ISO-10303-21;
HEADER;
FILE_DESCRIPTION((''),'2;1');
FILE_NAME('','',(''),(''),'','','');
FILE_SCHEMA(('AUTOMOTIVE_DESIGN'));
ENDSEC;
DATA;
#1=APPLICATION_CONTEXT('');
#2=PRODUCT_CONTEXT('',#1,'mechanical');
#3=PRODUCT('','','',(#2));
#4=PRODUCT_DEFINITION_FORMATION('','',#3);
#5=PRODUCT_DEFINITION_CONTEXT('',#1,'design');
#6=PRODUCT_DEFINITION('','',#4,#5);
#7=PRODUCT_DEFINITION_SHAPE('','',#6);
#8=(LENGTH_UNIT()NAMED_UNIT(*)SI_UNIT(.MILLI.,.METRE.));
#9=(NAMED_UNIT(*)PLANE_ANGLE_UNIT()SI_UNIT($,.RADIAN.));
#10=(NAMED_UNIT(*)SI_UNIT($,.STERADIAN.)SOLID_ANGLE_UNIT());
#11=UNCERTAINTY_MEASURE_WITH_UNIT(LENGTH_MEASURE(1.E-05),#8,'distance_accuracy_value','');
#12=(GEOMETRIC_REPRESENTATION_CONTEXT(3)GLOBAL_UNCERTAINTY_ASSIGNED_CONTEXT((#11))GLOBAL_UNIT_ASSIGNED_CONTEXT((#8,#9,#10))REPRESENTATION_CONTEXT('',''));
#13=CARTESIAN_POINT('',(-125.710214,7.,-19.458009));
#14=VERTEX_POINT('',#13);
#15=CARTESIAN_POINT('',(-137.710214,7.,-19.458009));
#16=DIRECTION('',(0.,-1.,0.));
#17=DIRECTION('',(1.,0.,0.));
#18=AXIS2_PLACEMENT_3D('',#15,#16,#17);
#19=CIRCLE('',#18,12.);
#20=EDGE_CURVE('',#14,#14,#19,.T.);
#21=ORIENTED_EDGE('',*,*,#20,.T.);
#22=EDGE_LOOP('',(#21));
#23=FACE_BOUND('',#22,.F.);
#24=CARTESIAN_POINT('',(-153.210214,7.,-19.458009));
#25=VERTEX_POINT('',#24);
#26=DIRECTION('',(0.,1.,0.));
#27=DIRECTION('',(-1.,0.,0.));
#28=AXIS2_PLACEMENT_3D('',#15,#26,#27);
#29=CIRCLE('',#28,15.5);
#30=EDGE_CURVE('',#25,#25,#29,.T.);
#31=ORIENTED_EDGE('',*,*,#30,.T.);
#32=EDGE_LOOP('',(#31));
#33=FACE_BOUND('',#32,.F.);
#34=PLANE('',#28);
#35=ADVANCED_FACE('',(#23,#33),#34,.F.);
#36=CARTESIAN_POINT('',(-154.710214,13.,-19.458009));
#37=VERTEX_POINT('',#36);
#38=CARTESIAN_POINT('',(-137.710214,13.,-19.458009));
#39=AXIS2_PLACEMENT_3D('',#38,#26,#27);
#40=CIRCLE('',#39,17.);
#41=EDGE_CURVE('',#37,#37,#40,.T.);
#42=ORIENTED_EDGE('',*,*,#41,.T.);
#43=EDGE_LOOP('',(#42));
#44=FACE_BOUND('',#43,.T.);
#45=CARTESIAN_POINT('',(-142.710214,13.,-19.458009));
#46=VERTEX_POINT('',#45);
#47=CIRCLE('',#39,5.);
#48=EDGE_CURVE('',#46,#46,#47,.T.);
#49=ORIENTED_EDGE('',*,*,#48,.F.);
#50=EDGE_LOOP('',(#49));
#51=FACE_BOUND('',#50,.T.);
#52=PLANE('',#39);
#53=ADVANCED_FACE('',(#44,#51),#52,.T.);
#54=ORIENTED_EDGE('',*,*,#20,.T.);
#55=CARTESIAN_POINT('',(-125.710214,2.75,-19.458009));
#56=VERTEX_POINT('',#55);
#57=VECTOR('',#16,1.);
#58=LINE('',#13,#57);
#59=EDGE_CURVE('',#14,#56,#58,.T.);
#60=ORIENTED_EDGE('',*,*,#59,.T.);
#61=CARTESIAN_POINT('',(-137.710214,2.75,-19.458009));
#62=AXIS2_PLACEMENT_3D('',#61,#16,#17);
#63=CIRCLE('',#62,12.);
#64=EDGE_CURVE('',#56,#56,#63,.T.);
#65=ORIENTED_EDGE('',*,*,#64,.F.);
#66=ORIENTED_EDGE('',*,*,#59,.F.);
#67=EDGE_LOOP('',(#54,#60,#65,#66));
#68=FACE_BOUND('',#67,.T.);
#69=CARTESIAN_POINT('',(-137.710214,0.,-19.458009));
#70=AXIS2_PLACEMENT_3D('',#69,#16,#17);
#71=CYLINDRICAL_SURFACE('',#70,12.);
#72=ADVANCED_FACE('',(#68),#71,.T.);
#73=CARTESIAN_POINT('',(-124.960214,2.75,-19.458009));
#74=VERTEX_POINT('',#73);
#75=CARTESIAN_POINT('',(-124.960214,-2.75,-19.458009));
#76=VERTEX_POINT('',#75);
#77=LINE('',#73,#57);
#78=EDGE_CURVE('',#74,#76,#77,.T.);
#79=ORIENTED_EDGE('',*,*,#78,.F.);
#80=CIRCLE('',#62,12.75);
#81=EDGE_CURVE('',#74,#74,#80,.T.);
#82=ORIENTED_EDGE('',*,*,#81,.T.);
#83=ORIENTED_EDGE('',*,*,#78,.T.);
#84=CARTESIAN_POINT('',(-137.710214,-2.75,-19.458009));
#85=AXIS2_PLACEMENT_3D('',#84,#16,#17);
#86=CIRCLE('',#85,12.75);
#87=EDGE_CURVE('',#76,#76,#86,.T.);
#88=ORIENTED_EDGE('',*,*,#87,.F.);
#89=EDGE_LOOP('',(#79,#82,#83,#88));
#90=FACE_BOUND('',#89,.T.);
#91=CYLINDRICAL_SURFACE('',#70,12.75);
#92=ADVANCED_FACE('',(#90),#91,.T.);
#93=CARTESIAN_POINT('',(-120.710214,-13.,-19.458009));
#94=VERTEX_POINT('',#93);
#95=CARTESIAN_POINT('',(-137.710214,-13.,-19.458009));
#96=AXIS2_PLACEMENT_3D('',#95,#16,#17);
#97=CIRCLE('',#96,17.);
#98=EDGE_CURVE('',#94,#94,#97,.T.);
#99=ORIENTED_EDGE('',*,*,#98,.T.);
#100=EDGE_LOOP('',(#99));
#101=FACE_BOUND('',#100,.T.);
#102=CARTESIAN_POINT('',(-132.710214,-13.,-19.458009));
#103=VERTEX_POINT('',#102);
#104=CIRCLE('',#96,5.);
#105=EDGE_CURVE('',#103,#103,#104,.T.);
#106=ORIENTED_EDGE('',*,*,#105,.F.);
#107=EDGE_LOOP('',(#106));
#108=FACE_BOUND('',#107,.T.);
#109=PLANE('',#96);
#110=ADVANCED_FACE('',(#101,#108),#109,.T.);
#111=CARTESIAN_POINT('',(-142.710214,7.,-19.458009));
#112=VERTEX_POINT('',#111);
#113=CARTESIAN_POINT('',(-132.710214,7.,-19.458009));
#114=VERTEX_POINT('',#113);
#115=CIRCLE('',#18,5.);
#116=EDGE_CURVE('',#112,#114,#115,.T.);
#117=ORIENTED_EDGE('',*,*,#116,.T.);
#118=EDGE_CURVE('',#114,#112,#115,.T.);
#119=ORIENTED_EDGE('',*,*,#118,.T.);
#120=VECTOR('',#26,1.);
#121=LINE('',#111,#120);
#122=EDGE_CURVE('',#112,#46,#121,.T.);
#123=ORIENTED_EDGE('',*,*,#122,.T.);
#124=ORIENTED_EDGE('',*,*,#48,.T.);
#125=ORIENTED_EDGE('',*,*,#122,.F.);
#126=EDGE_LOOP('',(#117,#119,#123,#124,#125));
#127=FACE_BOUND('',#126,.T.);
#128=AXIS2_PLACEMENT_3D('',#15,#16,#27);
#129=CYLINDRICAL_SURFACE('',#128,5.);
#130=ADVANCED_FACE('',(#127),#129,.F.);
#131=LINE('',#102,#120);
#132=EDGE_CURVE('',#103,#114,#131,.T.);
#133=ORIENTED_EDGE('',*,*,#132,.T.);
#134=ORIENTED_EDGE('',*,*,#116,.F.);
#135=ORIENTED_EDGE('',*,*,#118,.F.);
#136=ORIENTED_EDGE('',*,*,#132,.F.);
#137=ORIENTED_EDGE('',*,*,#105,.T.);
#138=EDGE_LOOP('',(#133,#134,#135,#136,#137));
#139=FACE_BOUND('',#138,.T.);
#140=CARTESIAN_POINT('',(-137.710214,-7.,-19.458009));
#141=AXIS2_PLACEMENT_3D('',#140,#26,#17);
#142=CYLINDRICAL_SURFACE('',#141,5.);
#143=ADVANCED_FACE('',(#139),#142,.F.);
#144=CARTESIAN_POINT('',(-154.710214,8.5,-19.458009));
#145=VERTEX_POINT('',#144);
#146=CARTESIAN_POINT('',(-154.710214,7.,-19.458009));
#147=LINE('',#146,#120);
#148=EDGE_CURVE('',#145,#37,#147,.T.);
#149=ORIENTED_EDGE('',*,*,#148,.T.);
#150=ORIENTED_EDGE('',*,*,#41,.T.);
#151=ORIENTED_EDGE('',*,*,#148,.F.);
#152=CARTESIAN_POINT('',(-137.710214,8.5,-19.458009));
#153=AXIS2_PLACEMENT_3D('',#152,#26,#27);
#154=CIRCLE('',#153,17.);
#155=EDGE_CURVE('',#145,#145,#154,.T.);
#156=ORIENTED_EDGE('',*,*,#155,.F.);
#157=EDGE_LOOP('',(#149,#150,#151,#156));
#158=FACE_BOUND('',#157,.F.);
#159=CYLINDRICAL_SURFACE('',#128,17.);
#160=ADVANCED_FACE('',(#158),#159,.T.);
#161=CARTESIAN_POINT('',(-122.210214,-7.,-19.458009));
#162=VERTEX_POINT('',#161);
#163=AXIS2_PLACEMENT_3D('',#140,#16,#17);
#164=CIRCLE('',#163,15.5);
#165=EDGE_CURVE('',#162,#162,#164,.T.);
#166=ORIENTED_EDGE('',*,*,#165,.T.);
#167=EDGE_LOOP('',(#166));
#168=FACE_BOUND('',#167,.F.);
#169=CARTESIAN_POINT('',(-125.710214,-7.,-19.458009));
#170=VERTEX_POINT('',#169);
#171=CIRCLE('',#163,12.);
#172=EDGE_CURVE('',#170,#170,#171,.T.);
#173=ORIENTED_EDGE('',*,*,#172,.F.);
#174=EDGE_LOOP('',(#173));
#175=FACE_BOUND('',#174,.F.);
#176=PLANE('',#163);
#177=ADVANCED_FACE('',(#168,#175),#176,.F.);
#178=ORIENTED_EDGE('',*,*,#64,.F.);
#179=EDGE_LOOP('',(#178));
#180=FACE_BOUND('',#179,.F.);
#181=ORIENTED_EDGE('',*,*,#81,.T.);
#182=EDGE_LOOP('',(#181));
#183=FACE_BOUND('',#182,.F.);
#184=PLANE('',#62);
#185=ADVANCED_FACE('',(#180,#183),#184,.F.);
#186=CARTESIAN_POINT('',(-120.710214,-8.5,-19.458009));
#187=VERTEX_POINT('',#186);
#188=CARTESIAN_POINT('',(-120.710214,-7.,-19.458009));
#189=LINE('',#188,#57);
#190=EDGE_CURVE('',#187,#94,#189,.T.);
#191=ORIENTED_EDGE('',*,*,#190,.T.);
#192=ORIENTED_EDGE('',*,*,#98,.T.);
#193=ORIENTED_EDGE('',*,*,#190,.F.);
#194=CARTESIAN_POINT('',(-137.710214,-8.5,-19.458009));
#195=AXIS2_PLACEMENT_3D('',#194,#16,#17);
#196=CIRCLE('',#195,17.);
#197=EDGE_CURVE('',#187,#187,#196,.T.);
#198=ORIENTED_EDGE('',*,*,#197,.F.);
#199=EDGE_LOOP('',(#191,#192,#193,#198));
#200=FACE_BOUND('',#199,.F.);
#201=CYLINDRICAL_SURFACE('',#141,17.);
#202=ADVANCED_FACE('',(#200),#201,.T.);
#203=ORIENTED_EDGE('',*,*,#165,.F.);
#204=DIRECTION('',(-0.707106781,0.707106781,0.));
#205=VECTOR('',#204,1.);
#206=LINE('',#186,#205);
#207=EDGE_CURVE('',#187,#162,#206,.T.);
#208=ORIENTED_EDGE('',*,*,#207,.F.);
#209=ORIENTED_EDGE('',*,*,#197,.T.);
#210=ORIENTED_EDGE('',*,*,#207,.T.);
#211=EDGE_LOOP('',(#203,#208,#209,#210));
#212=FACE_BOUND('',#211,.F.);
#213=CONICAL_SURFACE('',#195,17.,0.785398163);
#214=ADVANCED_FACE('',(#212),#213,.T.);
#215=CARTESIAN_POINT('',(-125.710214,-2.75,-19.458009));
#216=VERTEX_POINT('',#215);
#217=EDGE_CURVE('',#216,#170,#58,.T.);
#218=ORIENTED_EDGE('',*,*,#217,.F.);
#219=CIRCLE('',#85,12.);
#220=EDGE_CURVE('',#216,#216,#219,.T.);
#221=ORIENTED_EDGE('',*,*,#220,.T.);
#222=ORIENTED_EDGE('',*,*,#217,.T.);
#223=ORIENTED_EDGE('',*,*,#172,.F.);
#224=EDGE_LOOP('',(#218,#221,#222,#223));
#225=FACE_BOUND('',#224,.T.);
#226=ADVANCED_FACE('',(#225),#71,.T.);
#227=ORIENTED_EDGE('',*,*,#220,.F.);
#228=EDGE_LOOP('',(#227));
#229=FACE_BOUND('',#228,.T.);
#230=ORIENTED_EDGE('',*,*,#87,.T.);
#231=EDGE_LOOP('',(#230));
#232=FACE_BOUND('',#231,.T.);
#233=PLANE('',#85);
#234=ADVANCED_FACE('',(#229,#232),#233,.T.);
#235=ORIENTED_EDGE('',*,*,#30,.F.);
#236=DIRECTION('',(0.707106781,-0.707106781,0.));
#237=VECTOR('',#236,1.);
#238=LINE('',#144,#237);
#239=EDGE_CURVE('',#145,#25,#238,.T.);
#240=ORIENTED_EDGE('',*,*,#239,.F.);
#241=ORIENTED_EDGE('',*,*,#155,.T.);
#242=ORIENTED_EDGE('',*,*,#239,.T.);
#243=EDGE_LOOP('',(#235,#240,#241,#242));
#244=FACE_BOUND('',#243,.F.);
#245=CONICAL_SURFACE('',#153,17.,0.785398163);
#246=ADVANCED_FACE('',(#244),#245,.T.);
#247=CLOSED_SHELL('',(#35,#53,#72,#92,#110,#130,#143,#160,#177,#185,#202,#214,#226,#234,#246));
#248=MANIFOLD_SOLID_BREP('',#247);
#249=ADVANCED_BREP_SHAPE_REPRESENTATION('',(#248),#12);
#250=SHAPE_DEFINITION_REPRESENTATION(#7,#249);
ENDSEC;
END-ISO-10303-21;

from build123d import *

# Parameters (mm, degrees)
F0_R     = 12
F0_R_2   = 5
F1_DEPTH = 7
F0_R_3   = 12.75
F2_DEPTH = 2.75
F3_R     = 17
F3_R_2   = 5
F4_DEPTH = 6
F5_SIZE  = 1.5
F6_R     = 17
F6_R_2   = 12
F6_R_3   = 5
F7_DEPTH = 6
F8_SIZE  = 1.5


with BuildPart() as f1:
    # F0 (on Front) → F1 (new body, symmetric)
    with BuildSketch(Plane.XZ):
        with Locations((-137.7102136612, -19.4580089301)):
            Circle(F0_R)
        with Locations((-137.7102136612, -19.4580089301)):
            Circle(F0_R_2, mode=Mode.SUBTRACT)
    extrude(amount=F1_DEPTH, both=True)

    # F0 (on Front) → F2 (join, symmetric)
    with BuildSketch(Plane.XZ):
        with Locations((-137.7102136612, -19.4580089301)):
            Circle(F0_R_3)
        with Locations((-137.7102136612, -19.4580089301)):
            Circle(F0_R, mode=Mode.SUBTRACT)
    extrude(amount=F2_DEPTH, both=True)

    # F3 (on face) → F4 (join)
    with BuildSketch(Plane.XZ.offset(7)):
        with Locations((-137.7102136612, -19.4580089301)):
            Circle(F3_R)
        with Locations((-137.7102136612, -19.4580089301)):
            Circle(F3_R_2, mode=Mode.SUBTRACT)
    extrude(amount=F4_DEPTH)

    # F5
    f5_edges = [f1.edges().sort_by_distance(p)[0] for p in [
        (-154.710214, -7, -19.458009),
    ]]
    chamfer(f5_edges, length=F5_SIZE)

    # F6 (on face) → F7 (join)
    with BuildSketch(Plane(origin=(0, 7, 0), x_dir=(-1, 0, 0), z_dir=(0, 1, 0))):
        with Locations((137.7102136612, -19.4580089301)):
            Circle(F6_R)
        with Locations((137.7102136612, -19.4580089301)):
            Circle(F6_R_2, mode=Mode.SUBTRACT)
        with Locations((137.7102136612, -19.4580089301)):
            Circle(F6_R_2)
        with Locations((137.7102136612, -19.4580089301)):
            Circle(F6_R_3, mode=Mode.SUBTRACT)
    extrude(amount=F7_DEPTH)

    # F8
    f8_edges = [f1.edges().sort_by_distance(p)[0] for p in [
        (-120.710214, 7, -19.458009),
    ]]
    chamfer(f8_edges, length=F8_SIZE)


solid = f1.part
